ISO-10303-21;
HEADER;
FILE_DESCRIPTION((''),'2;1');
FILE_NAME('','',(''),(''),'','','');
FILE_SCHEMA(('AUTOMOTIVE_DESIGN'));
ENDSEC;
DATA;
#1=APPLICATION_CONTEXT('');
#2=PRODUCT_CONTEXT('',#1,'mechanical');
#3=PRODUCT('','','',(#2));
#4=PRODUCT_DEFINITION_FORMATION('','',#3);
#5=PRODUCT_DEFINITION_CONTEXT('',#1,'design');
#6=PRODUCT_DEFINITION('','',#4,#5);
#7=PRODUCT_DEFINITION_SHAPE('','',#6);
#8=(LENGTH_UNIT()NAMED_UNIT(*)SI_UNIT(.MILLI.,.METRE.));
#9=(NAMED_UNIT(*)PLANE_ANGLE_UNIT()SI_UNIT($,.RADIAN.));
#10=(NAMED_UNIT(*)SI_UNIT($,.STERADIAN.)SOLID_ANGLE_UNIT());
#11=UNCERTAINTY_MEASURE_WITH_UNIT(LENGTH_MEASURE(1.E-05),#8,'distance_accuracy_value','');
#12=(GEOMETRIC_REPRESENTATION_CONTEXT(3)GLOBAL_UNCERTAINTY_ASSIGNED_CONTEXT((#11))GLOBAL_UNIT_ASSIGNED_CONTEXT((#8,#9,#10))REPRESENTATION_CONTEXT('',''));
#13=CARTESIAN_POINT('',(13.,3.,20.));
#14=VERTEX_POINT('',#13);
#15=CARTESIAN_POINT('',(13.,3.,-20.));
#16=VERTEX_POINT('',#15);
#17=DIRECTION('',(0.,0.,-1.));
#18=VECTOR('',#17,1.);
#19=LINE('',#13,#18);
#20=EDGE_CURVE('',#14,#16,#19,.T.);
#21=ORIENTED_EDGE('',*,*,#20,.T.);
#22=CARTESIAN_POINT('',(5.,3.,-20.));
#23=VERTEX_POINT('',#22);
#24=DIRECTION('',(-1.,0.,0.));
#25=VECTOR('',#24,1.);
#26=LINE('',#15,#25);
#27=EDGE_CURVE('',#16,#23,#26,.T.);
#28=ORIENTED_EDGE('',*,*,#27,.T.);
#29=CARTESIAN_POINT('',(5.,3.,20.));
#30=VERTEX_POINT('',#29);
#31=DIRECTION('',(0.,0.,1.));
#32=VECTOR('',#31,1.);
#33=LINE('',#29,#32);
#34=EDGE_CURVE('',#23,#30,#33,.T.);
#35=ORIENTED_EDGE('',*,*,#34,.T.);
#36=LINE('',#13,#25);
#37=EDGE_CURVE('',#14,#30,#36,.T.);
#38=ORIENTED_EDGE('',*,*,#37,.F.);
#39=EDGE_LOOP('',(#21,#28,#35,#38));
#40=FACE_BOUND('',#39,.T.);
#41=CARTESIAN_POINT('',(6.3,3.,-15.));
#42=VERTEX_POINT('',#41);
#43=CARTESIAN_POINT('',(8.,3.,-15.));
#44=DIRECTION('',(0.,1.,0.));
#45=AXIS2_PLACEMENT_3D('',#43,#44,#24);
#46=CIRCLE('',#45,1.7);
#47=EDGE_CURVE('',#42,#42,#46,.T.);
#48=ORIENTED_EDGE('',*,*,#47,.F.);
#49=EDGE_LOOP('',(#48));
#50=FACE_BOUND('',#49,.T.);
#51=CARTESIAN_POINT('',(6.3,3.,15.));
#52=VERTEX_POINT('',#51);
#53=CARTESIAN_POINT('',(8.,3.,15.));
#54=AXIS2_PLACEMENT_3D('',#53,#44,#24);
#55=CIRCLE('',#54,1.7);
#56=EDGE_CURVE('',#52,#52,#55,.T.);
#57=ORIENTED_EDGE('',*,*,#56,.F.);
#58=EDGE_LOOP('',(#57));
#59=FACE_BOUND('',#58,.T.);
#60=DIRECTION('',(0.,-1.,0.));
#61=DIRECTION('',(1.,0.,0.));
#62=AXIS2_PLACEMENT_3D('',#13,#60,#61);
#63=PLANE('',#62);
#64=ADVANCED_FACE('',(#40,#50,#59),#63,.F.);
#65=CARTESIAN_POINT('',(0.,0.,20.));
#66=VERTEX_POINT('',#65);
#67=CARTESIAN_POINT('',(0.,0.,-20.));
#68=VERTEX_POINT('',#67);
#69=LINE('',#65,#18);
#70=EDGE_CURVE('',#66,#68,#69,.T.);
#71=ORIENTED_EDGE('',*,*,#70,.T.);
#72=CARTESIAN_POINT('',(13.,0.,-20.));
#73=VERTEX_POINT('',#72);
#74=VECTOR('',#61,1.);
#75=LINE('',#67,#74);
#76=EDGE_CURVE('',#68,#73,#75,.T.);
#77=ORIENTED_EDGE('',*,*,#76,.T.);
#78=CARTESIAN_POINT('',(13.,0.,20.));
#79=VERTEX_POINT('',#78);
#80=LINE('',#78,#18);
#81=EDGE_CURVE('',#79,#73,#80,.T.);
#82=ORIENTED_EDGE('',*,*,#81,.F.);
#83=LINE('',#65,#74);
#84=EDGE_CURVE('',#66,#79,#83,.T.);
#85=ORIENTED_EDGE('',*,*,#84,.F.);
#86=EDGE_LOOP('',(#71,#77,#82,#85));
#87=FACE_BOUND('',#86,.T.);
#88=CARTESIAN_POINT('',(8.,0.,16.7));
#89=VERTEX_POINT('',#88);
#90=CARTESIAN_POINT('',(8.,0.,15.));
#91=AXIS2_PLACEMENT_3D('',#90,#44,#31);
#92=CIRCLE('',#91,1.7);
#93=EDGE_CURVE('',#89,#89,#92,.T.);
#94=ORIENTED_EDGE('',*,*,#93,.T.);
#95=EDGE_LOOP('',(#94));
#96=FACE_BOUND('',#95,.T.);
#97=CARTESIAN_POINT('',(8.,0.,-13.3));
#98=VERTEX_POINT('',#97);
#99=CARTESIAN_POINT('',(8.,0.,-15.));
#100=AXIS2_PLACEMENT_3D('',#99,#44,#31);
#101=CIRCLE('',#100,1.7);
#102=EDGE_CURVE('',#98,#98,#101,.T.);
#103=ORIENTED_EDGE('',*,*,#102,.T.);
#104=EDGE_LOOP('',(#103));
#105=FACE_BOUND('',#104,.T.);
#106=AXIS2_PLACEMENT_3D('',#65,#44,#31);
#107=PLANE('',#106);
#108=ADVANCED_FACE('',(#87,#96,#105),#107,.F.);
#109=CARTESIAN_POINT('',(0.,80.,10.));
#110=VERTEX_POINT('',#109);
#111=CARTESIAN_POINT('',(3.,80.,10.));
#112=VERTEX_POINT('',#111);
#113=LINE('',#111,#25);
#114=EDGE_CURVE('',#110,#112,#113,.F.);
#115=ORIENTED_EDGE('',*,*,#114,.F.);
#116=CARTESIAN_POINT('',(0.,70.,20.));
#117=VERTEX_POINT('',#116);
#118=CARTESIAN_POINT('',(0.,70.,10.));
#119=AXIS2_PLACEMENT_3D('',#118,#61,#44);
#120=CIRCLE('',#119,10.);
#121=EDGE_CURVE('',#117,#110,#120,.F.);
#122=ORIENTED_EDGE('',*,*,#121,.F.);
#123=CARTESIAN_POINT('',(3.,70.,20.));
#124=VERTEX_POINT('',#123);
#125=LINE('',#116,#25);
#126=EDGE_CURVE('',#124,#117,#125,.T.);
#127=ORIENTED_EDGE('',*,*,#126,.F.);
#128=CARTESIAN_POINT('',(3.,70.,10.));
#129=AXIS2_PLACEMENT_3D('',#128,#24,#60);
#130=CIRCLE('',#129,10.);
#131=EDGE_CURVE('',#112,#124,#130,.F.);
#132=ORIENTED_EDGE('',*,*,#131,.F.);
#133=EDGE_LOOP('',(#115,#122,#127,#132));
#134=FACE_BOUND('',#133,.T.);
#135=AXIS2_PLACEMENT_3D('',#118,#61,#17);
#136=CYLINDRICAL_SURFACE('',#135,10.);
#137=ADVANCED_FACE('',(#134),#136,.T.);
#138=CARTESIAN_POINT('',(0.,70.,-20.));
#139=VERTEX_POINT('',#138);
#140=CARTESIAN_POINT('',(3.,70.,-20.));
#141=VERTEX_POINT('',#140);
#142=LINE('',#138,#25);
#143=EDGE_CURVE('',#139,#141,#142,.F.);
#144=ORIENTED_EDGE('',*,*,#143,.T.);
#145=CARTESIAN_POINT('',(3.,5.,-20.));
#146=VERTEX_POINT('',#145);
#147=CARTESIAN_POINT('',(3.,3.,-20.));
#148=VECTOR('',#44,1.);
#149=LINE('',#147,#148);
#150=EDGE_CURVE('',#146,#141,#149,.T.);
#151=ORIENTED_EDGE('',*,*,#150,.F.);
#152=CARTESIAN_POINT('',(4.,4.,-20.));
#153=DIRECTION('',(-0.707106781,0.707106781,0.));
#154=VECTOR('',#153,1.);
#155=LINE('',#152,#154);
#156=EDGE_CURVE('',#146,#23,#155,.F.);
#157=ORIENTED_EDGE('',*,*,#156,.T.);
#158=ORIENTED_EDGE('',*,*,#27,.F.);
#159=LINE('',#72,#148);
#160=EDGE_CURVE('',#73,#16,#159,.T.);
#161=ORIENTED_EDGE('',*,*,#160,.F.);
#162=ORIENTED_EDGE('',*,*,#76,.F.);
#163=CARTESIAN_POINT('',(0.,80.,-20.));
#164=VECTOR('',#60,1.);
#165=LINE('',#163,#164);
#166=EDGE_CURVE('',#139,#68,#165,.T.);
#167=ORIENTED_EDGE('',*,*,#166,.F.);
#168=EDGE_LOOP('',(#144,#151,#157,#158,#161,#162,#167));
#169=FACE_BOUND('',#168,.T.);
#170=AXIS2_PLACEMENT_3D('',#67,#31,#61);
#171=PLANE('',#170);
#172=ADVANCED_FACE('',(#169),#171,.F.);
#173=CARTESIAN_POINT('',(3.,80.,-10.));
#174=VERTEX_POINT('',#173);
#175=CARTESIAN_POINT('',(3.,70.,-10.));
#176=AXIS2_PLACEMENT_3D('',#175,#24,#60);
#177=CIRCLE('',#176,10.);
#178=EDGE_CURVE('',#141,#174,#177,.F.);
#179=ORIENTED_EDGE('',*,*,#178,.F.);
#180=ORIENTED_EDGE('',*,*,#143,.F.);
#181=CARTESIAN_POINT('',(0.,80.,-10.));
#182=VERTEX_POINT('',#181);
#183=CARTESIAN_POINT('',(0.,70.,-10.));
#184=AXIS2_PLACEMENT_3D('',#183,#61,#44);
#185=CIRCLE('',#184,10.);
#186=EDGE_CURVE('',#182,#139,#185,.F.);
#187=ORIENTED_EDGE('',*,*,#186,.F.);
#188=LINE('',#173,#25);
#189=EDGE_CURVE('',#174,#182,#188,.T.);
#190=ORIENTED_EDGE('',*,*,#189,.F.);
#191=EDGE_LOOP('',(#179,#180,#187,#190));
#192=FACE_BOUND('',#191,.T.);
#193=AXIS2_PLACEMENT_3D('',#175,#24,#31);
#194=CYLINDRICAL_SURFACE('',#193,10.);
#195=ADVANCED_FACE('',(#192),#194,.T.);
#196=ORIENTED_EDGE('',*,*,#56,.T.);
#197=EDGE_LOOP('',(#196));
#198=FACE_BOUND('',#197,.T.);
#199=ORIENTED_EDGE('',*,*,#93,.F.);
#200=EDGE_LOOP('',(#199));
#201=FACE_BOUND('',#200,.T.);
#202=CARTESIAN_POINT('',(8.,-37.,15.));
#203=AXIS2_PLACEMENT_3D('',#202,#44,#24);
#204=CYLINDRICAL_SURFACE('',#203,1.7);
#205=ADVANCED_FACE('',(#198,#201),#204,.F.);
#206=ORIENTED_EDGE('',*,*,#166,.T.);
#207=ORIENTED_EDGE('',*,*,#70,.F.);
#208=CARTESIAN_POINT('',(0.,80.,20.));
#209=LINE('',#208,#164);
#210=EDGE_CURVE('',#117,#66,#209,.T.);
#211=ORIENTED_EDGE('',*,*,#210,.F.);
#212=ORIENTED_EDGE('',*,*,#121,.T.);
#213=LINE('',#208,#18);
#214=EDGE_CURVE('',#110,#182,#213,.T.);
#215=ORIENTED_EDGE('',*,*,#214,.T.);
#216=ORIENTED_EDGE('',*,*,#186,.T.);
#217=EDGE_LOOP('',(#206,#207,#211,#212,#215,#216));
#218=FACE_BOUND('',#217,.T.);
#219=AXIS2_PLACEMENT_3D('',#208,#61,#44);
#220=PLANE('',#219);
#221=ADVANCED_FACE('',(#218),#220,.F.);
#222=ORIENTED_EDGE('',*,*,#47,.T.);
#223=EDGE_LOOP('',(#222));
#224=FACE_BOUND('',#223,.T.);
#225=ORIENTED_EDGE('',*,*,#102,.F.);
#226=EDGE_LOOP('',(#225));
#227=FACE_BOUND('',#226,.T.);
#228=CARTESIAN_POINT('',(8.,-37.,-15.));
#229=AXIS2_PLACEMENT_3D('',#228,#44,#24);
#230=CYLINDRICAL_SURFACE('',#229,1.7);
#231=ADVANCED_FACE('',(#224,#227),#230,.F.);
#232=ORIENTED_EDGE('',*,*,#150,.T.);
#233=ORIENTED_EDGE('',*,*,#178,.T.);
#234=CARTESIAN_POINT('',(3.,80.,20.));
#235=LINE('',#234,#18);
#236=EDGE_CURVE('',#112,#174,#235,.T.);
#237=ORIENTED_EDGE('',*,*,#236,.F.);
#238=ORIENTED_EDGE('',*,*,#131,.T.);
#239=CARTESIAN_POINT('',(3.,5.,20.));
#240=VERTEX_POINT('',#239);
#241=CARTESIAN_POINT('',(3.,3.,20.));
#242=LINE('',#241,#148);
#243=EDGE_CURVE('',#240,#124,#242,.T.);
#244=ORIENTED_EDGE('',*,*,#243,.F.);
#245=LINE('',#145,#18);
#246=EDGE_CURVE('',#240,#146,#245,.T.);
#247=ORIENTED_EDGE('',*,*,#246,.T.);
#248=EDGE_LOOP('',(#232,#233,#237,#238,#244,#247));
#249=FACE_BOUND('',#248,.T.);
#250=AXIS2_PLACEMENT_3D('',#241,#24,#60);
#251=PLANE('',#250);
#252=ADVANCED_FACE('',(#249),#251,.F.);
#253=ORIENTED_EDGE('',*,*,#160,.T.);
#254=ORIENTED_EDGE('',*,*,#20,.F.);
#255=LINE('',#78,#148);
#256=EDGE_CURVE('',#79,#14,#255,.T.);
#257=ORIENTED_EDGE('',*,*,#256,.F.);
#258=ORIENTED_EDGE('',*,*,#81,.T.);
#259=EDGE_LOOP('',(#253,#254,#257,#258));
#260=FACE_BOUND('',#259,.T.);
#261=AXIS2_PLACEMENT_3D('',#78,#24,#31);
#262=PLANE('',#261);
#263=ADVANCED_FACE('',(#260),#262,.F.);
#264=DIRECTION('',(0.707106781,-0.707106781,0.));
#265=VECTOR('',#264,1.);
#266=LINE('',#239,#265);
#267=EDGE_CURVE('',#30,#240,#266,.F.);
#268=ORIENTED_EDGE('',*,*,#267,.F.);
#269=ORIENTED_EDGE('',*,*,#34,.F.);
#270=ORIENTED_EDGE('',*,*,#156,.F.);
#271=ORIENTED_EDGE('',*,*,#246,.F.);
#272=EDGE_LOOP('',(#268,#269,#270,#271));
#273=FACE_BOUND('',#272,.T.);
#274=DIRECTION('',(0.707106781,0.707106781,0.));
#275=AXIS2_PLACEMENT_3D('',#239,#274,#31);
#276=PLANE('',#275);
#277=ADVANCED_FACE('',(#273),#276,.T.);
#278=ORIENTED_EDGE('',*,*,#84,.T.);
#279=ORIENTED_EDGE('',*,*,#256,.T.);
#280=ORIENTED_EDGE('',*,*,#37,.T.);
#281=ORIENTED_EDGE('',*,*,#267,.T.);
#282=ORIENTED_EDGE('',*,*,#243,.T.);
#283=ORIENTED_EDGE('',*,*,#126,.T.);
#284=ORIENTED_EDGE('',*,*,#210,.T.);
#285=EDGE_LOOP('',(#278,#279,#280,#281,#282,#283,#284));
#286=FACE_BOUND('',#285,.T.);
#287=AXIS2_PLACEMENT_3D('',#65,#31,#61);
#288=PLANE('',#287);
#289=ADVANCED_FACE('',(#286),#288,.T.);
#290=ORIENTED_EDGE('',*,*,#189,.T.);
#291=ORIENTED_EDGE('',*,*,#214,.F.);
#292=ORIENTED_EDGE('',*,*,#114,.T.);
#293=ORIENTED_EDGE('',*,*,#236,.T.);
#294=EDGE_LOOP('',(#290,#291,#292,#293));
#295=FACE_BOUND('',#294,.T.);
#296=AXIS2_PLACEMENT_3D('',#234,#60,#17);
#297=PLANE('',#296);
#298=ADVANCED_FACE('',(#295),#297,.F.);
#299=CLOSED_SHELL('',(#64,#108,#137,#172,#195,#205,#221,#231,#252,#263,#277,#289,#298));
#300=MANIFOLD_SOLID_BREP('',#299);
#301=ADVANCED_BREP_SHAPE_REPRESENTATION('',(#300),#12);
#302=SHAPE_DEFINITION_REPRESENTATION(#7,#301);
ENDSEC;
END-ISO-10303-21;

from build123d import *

# Parameters (mm, degrees)
BOSS_EXTRUDE1_DEPTH = 20
SKETCH2_R           = 1.7
CUT_EXTRUDE1_DEPTH  = 40
CHAMFER1_SIZE       = 2
FILLET1_R           = 10


with BuildPart() as part:
    # Sketch1 → Boss-Extrude1 (new, symmetric)
    with BuildSketch(Plane.XY):
        Polygon((0, 0), (13, 0), (13, 3), (3, 3), (3, 80), (0, 80), align=None)
    extrude(amount=BOSS_EXTRUDE1_DEPTH, both=True)

    # Sketch2 → Cut-Extrude1 (cut)
    with BuildSketch(Plane(origin=(0, 3, 0), x_dir=(1, 0, 0), z_dir=(0, 1, 0))):
        with Locations((8, 15)):
            Circle(SKETCH2_R)
        with Locations((8, -15)):
            Circle(SKETCH2_R)
    extrude(amount=-CUT_EXTRUDE1_DEPTH, mode=Mode.SUBTRACT)

    # Chamfer1
    chamfer1_edges = [part.edges().sort_by_distance(p)[0] for p in [
        (3, 3, 0),
    ]]
    chamfer(chamfer1_edges, length=CHAMFER1_SIZE)

    # Fillet1
    fillet1_edges = [part.edges().sort_by_distance(p)[0] for p in [
        (1.5, 80, 20),
        (1.5, 80, -20),
    ]]
    fillet(fillet1_edges, radius=FILLET1_R)


solid = part.part
